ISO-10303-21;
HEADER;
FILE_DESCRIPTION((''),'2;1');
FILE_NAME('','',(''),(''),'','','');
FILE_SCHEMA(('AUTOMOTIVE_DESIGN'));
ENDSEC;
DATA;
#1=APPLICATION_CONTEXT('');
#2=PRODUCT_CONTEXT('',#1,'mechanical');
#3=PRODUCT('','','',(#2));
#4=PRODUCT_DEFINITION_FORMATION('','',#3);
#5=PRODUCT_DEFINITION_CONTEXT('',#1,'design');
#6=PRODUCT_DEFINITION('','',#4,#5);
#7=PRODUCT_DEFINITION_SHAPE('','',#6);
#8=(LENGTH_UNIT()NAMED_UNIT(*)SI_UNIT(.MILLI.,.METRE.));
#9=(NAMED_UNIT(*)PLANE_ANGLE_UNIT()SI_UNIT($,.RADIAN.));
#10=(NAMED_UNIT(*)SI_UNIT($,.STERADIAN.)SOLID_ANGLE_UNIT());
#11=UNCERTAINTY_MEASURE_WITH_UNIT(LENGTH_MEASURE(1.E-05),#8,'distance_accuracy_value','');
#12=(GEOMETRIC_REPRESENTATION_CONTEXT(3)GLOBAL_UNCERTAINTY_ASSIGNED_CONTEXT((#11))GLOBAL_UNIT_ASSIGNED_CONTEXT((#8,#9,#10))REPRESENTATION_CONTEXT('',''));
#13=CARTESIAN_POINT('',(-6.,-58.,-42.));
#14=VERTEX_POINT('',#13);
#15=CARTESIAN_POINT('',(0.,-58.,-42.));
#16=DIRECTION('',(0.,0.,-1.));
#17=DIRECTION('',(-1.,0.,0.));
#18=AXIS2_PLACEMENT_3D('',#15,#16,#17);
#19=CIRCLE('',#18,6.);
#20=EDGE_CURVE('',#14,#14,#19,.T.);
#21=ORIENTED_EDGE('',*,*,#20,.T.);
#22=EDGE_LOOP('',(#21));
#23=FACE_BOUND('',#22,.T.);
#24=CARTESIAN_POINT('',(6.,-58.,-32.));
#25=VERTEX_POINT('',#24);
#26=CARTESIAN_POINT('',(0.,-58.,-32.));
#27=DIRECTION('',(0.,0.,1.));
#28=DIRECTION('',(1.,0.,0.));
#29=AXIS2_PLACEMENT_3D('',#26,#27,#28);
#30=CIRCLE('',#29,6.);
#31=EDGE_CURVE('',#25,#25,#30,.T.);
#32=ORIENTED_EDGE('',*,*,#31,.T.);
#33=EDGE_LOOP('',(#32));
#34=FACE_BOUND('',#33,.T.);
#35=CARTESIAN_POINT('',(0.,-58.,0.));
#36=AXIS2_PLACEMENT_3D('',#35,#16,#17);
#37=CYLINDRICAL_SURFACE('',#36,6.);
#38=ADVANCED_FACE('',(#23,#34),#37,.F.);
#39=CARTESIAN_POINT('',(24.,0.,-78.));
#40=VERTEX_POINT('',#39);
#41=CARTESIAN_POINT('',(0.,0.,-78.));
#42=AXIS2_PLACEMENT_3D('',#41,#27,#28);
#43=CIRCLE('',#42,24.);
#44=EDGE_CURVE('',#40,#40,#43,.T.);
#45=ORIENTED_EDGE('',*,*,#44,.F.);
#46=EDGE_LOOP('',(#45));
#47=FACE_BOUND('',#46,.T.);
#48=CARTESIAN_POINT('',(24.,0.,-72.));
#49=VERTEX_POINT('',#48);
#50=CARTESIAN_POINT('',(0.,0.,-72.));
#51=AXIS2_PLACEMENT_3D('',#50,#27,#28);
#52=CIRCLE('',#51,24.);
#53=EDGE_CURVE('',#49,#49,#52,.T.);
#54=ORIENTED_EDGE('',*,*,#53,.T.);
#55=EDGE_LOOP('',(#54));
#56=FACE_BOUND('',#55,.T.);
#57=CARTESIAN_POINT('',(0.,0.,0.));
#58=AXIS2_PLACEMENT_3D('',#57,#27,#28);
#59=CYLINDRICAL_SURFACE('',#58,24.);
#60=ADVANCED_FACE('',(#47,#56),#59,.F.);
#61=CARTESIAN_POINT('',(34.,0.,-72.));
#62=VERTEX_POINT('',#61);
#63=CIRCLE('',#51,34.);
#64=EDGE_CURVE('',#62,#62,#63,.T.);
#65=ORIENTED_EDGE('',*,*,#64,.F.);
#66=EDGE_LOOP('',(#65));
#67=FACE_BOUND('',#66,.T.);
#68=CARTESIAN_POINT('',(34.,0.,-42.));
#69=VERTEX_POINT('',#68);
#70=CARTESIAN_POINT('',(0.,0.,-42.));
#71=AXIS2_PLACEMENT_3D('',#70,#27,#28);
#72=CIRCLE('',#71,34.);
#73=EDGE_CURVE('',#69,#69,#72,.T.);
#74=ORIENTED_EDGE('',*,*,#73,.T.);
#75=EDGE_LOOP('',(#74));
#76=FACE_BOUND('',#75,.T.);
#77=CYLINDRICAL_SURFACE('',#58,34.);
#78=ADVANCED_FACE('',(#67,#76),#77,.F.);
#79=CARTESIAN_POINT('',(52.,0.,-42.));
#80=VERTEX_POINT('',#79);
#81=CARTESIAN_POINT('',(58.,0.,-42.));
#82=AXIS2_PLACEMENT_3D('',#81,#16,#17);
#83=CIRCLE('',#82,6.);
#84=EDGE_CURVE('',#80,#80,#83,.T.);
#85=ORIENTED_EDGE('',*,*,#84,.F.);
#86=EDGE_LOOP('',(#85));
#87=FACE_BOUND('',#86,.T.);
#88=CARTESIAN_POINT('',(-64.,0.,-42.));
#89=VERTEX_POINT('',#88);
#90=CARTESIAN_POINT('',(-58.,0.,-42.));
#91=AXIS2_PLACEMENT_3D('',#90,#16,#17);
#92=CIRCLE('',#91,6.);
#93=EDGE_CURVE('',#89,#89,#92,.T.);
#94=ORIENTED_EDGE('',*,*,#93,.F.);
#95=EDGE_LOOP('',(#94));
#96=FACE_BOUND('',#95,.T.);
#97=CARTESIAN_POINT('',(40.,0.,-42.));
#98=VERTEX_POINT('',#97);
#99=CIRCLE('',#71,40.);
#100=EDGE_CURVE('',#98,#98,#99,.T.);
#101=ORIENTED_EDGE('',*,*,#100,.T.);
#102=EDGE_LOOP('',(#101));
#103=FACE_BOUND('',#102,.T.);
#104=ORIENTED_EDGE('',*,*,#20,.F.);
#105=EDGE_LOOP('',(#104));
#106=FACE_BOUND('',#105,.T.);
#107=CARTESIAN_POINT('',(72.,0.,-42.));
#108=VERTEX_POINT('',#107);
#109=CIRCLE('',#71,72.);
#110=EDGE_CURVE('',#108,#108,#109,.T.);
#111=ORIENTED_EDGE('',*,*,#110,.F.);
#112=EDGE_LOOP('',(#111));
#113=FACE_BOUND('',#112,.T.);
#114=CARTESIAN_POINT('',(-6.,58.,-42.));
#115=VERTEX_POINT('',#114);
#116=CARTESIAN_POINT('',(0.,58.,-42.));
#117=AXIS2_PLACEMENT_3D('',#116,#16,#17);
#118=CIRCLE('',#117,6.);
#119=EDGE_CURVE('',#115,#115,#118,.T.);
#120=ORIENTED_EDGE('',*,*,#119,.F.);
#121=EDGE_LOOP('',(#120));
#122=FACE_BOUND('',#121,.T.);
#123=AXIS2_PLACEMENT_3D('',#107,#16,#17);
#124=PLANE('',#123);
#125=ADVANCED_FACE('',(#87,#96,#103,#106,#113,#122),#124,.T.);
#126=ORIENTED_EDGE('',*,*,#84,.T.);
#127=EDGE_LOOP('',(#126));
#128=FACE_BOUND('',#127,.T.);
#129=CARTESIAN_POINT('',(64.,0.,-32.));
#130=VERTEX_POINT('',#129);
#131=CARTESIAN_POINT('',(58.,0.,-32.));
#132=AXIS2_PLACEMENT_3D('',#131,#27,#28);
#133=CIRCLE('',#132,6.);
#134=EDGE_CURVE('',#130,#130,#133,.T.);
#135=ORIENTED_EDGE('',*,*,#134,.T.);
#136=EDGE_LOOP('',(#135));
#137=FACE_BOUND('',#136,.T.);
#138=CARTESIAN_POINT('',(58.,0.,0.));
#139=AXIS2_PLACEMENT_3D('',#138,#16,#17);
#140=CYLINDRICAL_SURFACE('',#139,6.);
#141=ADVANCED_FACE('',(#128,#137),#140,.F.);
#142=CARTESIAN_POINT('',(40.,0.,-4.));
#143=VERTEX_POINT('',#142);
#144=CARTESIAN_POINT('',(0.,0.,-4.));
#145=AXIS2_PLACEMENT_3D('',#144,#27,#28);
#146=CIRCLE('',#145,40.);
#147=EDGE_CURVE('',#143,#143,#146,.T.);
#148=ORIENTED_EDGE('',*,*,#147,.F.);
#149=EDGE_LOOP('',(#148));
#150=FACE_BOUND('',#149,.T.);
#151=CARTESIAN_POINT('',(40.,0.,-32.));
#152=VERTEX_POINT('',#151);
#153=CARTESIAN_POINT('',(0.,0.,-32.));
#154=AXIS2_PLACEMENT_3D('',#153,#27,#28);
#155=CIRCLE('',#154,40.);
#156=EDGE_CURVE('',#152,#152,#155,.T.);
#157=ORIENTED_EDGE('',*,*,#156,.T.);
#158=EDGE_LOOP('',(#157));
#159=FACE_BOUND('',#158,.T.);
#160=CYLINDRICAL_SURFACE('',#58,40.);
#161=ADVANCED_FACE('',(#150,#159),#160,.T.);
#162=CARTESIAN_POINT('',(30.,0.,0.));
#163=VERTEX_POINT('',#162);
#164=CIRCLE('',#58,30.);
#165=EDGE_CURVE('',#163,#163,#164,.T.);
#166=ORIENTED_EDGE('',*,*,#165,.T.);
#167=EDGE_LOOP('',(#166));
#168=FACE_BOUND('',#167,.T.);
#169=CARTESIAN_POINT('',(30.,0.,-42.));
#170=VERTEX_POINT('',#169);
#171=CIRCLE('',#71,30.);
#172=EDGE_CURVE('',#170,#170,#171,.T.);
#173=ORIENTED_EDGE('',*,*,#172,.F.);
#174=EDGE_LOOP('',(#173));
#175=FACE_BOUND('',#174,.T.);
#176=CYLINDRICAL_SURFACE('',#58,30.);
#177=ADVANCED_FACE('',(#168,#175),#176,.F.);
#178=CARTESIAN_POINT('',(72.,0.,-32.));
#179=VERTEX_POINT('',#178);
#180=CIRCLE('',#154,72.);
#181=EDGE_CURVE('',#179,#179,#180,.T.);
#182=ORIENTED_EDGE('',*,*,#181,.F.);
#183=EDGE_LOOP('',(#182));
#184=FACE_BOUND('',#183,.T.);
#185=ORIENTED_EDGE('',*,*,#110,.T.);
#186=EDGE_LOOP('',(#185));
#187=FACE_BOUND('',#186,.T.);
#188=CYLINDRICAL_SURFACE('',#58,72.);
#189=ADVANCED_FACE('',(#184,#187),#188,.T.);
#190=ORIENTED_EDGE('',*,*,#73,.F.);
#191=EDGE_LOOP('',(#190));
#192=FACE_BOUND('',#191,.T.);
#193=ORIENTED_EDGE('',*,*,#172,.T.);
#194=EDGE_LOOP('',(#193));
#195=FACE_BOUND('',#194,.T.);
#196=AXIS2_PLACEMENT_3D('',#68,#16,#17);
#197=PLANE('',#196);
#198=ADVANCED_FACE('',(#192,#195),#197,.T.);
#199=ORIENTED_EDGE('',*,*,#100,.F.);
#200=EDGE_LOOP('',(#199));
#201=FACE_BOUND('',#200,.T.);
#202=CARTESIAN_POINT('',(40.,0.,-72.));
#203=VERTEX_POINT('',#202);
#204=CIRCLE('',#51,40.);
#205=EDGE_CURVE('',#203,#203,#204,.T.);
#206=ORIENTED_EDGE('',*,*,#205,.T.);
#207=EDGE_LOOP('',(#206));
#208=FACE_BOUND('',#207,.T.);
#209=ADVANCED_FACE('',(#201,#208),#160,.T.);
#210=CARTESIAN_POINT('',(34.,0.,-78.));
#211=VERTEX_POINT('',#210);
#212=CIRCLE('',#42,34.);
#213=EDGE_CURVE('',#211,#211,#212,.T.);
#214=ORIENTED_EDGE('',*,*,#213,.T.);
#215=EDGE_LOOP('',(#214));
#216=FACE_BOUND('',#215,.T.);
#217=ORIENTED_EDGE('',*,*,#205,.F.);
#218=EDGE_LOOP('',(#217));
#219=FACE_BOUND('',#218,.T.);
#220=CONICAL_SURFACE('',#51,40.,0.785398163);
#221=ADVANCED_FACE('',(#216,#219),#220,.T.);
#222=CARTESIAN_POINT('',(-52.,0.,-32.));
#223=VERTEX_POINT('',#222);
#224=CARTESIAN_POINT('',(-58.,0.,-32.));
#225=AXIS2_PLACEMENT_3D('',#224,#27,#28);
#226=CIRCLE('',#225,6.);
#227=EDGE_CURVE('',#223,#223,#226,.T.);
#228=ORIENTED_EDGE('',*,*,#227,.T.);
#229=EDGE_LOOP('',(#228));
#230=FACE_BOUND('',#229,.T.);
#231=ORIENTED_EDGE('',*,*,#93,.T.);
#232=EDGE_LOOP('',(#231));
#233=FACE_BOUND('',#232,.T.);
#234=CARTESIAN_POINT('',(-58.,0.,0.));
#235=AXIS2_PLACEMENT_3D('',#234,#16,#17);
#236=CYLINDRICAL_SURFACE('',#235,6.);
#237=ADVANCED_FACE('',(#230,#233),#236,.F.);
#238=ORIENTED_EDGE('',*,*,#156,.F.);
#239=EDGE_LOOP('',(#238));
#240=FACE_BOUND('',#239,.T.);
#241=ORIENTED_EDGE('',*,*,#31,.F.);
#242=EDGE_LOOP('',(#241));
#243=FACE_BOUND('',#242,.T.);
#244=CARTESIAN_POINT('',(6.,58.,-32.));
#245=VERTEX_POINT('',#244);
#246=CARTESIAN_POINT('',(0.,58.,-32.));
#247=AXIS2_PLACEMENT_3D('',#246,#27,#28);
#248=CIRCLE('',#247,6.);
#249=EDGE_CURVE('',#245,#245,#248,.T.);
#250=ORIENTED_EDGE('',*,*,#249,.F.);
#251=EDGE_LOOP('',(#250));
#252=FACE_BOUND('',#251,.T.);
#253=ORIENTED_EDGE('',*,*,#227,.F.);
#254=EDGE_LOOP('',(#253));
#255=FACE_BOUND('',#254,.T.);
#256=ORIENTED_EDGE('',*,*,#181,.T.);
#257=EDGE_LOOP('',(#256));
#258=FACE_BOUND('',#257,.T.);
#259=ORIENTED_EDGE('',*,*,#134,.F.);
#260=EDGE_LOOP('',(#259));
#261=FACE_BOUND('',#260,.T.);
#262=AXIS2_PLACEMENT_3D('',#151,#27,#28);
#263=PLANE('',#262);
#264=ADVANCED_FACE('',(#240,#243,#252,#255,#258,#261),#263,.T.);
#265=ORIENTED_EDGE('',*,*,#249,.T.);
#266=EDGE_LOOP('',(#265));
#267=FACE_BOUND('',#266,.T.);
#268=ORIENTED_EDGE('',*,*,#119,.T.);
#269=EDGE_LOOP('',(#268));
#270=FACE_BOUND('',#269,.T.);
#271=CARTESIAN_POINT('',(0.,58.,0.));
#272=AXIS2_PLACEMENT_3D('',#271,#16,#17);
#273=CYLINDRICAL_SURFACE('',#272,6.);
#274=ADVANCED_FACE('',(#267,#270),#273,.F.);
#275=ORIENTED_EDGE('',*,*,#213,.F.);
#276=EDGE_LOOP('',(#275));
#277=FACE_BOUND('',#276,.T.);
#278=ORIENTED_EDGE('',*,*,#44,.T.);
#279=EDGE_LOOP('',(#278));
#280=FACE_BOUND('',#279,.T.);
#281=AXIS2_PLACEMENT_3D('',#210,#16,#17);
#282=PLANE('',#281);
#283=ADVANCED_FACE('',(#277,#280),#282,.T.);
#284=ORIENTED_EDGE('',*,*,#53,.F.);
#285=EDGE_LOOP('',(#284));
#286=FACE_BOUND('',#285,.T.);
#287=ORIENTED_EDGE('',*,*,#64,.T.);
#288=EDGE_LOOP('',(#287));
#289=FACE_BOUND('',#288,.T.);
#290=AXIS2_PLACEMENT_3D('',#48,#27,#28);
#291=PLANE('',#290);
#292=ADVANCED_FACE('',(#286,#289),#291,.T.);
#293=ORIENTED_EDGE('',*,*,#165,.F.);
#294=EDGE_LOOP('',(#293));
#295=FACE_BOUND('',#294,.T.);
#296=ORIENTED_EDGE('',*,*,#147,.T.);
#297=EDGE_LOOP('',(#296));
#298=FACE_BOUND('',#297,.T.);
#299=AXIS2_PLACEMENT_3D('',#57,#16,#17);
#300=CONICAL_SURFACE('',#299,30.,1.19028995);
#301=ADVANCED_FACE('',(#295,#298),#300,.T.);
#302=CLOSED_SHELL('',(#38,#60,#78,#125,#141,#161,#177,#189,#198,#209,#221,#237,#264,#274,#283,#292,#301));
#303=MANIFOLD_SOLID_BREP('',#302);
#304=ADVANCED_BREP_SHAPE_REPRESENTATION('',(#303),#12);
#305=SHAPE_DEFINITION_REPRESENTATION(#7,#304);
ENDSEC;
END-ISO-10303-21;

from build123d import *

# Parameters (mm, degrees)
CUT_EXTRUDE1_DEPTH      = 111.145358504
CUT_EXTRUDE1_DEPTH_BACK = 111.145358504
SKETCH2_R               = 6


with BuildPart() as part:
    # Sketch1 → Revolve1 (revolve)
    with BuildSketch(Plane(origin=(0, 0, 0), x_dir=(1, 0, 0), z_dir=(0, 1, 0))):
        Polygon((24, 78), (24, 72), (34, 72), (34, 42), (30, 42), (30, 0), (40, 4), (40, 32), (72, 32), (72, 42), (40, 42), (40, 72), (34, 78), align=None)
    revolve(axis=Axis((0, 0, 0), (0, 0, -1)))

    # Sketch2 → Cut-Extrude1 (cut, two sides: drawn at the far end of the back side and taken through both)
    with BuildSketch(Plane(origin=(0, 0, -42), x_dir=(-1, 0, 0), z_dir=(0, 0, -1)).offset(-CUT_EXTRUDE1_DEPTH_BACK)):
        with Locations((0, 58)):
            Circle(SKETCH2_R)
        with Locations((58, 0)):
            Circle(SKETCH2_R)
        with Locations((0, -58)):
            Circle(SKETCH2_R)
        with Locations((-58, 0)):
            Circle(SKETCH2_R)
    extrude(amount=CUT_EXTRUDE1_DEPTH + CUT_EXTRUDE1_DEPTH_BACK, mode=Mode.SUBTRACT)


solid = part.part
